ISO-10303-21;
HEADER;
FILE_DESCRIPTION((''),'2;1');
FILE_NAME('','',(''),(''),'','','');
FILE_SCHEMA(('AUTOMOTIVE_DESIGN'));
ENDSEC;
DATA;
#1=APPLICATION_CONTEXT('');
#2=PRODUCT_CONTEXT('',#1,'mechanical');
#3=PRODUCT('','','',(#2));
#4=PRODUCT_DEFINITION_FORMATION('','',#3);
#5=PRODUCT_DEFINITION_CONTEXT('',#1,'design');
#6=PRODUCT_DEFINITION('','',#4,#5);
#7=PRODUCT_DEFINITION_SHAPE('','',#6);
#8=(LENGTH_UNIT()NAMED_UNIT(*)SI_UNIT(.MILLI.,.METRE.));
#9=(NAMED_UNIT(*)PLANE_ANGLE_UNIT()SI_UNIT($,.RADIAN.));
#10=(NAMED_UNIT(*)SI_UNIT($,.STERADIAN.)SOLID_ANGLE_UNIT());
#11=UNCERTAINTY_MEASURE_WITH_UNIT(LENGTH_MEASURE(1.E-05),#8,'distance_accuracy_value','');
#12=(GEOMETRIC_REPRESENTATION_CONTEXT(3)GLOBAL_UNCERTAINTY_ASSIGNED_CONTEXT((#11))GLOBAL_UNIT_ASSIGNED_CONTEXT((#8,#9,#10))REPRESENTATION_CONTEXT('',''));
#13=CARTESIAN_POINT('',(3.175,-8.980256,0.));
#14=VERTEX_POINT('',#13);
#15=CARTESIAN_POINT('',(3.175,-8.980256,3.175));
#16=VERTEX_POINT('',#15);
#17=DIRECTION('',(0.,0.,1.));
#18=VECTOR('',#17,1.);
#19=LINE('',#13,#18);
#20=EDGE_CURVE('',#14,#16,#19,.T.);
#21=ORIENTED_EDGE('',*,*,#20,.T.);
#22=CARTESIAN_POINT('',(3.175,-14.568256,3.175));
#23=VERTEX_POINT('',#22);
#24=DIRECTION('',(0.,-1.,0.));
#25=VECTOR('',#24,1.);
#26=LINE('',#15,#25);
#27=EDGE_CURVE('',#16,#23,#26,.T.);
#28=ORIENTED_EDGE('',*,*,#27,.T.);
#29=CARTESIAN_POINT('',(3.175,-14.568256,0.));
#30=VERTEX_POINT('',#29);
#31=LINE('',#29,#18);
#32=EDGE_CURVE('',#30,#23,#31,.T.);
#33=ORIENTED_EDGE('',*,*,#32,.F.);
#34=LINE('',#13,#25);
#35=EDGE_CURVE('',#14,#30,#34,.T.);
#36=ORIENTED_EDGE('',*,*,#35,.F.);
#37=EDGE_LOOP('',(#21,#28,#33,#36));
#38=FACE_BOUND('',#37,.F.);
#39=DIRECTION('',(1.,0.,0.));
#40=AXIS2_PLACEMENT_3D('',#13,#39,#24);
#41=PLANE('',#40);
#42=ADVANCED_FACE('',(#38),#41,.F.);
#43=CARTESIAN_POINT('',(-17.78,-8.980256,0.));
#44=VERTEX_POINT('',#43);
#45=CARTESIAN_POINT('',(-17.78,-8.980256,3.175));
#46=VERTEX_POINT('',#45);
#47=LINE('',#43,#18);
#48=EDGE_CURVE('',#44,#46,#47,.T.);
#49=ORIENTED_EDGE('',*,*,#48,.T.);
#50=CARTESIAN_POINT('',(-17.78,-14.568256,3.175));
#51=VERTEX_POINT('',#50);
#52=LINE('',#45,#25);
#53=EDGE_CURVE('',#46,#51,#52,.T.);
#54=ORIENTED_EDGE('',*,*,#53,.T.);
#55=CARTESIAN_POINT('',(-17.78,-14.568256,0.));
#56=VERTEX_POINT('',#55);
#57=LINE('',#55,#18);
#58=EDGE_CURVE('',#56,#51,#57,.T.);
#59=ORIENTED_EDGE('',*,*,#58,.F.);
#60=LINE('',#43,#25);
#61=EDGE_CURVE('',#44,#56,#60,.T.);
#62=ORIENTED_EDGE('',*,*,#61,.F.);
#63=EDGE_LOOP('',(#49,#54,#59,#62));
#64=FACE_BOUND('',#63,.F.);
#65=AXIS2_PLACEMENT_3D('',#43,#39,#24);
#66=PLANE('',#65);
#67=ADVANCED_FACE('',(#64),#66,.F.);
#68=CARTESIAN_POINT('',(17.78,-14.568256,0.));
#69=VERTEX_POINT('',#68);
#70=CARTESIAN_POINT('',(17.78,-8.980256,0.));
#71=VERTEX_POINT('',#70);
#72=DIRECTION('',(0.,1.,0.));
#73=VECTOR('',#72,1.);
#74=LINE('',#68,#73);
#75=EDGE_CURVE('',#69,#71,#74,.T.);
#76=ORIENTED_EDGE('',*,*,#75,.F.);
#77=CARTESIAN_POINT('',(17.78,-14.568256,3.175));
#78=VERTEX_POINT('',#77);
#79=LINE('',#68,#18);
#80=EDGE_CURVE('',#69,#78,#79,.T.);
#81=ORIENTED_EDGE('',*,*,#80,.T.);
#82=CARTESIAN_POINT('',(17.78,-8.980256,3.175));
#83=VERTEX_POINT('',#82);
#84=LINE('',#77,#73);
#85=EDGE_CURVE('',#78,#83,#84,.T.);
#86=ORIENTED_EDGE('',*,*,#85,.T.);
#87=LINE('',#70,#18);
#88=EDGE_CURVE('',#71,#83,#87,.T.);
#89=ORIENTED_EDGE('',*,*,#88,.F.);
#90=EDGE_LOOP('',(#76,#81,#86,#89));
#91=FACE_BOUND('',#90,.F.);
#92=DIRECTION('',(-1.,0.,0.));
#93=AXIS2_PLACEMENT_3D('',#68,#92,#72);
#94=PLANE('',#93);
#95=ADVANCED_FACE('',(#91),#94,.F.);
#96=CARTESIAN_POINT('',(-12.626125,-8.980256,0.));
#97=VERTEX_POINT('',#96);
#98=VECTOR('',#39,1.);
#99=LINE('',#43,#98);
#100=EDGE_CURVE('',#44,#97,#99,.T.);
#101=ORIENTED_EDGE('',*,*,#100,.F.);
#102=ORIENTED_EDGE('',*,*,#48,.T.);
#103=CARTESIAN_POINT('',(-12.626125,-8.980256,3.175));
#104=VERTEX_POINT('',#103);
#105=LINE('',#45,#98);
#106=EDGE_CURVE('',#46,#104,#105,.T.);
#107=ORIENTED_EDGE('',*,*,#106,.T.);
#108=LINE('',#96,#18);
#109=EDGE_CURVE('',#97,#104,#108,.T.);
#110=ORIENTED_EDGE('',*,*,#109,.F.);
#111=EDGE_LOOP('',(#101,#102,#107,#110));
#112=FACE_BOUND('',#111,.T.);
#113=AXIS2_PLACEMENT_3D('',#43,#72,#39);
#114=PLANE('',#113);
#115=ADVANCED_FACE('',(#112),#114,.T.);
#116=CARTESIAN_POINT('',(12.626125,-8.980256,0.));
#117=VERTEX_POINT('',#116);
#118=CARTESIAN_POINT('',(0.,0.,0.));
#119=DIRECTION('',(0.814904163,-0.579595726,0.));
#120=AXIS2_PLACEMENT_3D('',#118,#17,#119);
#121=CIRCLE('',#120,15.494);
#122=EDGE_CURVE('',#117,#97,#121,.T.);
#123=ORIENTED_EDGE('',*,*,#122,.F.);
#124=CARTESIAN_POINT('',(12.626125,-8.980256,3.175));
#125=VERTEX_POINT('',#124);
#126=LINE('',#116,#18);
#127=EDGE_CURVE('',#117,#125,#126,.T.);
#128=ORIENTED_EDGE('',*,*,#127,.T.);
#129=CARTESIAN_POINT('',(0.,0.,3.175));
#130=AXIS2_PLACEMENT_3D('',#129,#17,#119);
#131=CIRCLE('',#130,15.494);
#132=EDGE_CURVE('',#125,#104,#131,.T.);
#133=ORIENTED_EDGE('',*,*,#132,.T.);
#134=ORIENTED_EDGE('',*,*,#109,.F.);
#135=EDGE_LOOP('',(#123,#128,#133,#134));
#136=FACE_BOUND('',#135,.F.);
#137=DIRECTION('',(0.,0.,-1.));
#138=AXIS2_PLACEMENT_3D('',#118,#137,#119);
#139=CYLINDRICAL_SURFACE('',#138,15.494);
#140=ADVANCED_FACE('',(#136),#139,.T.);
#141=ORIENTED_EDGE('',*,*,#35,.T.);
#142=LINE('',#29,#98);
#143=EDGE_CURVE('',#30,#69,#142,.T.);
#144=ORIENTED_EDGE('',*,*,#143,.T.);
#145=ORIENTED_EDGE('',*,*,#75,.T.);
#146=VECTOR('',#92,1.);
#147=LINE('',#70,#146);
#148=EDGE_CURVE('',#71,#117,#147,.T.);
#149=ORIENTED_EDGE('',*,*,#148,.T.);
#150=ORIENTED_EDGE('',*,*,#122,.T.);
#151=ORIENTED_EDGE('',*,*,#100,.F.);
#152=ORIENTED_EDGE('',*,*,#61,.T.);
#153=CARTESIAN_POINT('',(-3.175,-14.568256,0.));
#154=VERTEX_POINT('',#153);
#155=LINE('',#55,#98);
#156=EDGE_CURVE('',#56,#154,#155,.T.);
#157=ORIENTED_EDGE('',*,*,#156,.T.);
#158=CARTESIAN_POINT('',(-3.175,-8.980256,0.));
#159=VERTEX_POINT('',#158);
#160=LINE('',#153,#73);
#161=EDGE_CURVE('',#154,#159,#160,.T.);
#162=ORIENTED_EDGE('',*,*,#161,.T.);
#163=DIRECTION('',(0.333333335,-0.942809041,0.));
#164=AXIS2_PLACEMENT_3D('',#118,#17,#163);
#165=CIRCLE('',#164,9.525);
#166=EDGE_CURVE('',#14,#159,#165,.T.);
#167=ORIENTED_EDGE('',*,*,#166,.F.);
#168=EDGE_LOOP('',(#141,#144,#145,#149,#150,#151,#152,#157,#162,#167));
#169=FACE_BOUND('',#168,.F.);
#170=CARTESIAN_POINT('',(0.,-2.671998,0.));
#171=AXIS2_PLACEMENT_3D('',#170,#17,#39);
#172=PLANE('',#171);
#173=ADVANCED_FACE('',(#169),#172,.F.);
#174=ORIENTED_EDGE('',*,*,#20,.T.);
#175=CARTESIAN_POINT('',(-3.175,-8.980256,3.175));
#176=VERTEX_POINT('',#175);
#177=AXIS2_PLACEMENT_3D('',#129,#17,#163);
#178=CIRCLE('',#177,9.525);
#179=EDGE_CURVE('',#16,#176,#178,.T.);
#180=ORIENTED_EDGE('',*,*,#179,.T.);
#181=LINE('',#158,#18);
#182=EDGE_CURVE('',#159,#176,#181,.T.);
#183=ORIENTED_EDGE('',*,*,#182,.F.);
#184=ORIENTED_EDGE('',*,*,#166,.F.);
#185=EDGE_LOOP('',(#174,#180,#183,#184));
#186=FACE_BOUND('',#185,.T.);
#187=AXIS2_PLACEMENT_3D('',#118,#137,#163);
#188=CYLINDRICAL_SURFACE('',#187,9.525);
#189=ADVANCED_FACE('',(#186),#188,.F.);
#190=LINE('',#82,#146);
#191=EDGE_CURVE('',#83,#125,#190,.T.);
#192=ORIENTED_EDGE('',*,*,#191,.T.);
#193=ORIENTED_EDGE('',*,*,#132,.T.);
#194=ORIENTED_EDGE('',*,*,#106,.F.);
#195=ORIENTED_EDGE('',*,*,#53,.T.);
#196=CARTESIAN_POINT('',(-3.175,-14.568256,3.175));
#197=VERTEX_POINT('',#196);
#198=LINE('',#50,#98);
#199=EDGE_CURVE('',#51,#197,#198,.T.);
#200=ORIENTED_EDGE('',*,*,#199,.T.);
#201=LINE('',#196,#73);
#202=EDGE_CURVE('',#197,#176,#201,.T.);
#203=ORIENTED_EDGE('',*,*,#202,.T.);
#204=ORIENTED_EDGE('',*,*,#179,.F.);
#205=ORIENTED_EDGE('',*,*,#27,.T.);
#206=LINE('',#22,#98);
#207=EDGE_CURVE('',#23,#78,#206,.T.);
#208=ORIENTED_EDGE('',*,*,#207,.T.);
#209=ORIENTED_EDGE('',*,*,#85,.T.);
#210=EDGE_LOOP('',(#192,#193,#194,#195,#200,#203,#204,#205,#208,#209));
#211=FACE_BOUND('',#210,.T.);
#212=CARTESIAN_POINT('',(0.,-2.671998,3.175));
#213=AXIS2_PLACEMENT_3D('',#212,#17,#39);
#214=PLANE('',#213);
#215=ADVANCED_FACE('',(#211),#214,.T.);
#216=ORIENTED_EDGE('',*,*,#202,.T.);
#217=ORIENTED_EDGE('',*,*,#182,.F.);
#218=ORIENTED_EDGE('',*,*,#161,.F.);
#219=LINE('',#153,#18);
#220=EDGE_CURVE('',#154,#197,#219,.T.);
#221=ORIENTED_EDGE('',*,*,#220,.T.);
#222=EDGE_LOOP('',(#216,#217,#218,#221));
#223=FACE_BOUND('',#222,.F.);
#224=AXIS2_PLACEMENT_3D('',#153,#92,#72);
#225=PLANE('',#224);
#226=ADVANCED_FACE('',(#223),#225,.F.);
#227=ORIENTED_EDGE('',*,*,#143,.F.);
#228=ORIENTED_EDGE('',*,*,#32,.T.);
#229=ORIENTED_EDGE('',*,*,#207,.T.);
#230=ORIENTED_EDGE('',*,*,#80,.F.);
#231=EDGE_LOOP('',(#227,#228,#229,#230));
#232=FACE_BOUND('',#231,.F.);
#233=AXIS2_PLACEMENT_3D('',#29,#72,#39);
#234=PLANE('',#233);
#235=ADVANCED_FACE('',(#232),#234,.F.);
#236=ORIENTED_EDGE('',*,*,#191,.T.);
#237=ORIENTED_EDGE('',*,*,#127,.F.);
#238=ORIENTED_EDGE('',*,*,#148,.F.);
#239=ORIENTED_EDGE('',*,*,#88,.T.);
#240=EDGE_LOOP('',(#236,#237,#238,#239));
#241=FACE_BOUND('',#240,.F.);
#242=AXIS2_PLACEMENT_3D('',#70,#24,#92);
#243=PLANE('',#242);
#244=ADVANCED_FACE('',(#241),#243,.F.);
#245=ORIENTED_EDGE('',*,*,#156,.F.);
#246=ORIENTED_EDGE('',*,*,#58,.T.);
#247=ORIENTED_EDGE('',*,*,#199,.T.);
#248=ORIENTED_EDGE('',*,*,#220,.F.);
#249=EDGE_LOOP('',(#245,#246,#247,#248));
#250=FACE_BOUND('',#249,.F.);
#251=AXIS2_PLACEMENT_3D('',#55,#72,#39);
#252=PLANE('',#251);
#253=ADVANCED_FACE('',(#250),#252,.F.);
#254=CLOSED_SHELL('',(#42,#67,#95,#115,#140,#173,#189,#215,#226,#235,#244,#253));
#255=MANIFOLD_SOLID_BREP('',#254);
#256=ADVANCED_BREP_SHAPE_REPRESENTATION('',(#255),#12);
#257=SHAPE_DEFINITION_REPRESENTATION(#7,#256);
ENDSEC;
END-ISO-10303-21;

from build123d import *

# Parameters (mm, degrees)
PAD_DEPTH = 3.175


with BuildPart() as part:
    # Sketch → Pad (new body)
    with BuildSketch(Plane.XY):
        with BuildLine():
            Line((-17.78, -8.980256), (-17.78, -14.568256))
            Line((-17.78, -14.568256), (-3.175, -14.568256))
            Line((-3.175, -14.568256), (-3.175, -8.980256))
            ThreePointArc((3.175, -8.980256), (0, 9.525), (-3.175, -8.980256))
            Line((3.175, -8.980256), (3.175, -14.568256))
            Line((3.175, -14.568256), (17.78, -14.568256))
            Line((17.78, -14.568256), (17.78, -8.980256))
            Line((17.78, -8.980256), (12.626125, -8.980256))
            ThreePointArc((12.626125, -8.980256), (0, 15.494), (-12.626125, -8.980256))
            Line((-17.78, -8.980256), (-12.626125, -8.980256))
        make_face()
    extrude(amount=PAD_DEPTH)


solid = part.part
